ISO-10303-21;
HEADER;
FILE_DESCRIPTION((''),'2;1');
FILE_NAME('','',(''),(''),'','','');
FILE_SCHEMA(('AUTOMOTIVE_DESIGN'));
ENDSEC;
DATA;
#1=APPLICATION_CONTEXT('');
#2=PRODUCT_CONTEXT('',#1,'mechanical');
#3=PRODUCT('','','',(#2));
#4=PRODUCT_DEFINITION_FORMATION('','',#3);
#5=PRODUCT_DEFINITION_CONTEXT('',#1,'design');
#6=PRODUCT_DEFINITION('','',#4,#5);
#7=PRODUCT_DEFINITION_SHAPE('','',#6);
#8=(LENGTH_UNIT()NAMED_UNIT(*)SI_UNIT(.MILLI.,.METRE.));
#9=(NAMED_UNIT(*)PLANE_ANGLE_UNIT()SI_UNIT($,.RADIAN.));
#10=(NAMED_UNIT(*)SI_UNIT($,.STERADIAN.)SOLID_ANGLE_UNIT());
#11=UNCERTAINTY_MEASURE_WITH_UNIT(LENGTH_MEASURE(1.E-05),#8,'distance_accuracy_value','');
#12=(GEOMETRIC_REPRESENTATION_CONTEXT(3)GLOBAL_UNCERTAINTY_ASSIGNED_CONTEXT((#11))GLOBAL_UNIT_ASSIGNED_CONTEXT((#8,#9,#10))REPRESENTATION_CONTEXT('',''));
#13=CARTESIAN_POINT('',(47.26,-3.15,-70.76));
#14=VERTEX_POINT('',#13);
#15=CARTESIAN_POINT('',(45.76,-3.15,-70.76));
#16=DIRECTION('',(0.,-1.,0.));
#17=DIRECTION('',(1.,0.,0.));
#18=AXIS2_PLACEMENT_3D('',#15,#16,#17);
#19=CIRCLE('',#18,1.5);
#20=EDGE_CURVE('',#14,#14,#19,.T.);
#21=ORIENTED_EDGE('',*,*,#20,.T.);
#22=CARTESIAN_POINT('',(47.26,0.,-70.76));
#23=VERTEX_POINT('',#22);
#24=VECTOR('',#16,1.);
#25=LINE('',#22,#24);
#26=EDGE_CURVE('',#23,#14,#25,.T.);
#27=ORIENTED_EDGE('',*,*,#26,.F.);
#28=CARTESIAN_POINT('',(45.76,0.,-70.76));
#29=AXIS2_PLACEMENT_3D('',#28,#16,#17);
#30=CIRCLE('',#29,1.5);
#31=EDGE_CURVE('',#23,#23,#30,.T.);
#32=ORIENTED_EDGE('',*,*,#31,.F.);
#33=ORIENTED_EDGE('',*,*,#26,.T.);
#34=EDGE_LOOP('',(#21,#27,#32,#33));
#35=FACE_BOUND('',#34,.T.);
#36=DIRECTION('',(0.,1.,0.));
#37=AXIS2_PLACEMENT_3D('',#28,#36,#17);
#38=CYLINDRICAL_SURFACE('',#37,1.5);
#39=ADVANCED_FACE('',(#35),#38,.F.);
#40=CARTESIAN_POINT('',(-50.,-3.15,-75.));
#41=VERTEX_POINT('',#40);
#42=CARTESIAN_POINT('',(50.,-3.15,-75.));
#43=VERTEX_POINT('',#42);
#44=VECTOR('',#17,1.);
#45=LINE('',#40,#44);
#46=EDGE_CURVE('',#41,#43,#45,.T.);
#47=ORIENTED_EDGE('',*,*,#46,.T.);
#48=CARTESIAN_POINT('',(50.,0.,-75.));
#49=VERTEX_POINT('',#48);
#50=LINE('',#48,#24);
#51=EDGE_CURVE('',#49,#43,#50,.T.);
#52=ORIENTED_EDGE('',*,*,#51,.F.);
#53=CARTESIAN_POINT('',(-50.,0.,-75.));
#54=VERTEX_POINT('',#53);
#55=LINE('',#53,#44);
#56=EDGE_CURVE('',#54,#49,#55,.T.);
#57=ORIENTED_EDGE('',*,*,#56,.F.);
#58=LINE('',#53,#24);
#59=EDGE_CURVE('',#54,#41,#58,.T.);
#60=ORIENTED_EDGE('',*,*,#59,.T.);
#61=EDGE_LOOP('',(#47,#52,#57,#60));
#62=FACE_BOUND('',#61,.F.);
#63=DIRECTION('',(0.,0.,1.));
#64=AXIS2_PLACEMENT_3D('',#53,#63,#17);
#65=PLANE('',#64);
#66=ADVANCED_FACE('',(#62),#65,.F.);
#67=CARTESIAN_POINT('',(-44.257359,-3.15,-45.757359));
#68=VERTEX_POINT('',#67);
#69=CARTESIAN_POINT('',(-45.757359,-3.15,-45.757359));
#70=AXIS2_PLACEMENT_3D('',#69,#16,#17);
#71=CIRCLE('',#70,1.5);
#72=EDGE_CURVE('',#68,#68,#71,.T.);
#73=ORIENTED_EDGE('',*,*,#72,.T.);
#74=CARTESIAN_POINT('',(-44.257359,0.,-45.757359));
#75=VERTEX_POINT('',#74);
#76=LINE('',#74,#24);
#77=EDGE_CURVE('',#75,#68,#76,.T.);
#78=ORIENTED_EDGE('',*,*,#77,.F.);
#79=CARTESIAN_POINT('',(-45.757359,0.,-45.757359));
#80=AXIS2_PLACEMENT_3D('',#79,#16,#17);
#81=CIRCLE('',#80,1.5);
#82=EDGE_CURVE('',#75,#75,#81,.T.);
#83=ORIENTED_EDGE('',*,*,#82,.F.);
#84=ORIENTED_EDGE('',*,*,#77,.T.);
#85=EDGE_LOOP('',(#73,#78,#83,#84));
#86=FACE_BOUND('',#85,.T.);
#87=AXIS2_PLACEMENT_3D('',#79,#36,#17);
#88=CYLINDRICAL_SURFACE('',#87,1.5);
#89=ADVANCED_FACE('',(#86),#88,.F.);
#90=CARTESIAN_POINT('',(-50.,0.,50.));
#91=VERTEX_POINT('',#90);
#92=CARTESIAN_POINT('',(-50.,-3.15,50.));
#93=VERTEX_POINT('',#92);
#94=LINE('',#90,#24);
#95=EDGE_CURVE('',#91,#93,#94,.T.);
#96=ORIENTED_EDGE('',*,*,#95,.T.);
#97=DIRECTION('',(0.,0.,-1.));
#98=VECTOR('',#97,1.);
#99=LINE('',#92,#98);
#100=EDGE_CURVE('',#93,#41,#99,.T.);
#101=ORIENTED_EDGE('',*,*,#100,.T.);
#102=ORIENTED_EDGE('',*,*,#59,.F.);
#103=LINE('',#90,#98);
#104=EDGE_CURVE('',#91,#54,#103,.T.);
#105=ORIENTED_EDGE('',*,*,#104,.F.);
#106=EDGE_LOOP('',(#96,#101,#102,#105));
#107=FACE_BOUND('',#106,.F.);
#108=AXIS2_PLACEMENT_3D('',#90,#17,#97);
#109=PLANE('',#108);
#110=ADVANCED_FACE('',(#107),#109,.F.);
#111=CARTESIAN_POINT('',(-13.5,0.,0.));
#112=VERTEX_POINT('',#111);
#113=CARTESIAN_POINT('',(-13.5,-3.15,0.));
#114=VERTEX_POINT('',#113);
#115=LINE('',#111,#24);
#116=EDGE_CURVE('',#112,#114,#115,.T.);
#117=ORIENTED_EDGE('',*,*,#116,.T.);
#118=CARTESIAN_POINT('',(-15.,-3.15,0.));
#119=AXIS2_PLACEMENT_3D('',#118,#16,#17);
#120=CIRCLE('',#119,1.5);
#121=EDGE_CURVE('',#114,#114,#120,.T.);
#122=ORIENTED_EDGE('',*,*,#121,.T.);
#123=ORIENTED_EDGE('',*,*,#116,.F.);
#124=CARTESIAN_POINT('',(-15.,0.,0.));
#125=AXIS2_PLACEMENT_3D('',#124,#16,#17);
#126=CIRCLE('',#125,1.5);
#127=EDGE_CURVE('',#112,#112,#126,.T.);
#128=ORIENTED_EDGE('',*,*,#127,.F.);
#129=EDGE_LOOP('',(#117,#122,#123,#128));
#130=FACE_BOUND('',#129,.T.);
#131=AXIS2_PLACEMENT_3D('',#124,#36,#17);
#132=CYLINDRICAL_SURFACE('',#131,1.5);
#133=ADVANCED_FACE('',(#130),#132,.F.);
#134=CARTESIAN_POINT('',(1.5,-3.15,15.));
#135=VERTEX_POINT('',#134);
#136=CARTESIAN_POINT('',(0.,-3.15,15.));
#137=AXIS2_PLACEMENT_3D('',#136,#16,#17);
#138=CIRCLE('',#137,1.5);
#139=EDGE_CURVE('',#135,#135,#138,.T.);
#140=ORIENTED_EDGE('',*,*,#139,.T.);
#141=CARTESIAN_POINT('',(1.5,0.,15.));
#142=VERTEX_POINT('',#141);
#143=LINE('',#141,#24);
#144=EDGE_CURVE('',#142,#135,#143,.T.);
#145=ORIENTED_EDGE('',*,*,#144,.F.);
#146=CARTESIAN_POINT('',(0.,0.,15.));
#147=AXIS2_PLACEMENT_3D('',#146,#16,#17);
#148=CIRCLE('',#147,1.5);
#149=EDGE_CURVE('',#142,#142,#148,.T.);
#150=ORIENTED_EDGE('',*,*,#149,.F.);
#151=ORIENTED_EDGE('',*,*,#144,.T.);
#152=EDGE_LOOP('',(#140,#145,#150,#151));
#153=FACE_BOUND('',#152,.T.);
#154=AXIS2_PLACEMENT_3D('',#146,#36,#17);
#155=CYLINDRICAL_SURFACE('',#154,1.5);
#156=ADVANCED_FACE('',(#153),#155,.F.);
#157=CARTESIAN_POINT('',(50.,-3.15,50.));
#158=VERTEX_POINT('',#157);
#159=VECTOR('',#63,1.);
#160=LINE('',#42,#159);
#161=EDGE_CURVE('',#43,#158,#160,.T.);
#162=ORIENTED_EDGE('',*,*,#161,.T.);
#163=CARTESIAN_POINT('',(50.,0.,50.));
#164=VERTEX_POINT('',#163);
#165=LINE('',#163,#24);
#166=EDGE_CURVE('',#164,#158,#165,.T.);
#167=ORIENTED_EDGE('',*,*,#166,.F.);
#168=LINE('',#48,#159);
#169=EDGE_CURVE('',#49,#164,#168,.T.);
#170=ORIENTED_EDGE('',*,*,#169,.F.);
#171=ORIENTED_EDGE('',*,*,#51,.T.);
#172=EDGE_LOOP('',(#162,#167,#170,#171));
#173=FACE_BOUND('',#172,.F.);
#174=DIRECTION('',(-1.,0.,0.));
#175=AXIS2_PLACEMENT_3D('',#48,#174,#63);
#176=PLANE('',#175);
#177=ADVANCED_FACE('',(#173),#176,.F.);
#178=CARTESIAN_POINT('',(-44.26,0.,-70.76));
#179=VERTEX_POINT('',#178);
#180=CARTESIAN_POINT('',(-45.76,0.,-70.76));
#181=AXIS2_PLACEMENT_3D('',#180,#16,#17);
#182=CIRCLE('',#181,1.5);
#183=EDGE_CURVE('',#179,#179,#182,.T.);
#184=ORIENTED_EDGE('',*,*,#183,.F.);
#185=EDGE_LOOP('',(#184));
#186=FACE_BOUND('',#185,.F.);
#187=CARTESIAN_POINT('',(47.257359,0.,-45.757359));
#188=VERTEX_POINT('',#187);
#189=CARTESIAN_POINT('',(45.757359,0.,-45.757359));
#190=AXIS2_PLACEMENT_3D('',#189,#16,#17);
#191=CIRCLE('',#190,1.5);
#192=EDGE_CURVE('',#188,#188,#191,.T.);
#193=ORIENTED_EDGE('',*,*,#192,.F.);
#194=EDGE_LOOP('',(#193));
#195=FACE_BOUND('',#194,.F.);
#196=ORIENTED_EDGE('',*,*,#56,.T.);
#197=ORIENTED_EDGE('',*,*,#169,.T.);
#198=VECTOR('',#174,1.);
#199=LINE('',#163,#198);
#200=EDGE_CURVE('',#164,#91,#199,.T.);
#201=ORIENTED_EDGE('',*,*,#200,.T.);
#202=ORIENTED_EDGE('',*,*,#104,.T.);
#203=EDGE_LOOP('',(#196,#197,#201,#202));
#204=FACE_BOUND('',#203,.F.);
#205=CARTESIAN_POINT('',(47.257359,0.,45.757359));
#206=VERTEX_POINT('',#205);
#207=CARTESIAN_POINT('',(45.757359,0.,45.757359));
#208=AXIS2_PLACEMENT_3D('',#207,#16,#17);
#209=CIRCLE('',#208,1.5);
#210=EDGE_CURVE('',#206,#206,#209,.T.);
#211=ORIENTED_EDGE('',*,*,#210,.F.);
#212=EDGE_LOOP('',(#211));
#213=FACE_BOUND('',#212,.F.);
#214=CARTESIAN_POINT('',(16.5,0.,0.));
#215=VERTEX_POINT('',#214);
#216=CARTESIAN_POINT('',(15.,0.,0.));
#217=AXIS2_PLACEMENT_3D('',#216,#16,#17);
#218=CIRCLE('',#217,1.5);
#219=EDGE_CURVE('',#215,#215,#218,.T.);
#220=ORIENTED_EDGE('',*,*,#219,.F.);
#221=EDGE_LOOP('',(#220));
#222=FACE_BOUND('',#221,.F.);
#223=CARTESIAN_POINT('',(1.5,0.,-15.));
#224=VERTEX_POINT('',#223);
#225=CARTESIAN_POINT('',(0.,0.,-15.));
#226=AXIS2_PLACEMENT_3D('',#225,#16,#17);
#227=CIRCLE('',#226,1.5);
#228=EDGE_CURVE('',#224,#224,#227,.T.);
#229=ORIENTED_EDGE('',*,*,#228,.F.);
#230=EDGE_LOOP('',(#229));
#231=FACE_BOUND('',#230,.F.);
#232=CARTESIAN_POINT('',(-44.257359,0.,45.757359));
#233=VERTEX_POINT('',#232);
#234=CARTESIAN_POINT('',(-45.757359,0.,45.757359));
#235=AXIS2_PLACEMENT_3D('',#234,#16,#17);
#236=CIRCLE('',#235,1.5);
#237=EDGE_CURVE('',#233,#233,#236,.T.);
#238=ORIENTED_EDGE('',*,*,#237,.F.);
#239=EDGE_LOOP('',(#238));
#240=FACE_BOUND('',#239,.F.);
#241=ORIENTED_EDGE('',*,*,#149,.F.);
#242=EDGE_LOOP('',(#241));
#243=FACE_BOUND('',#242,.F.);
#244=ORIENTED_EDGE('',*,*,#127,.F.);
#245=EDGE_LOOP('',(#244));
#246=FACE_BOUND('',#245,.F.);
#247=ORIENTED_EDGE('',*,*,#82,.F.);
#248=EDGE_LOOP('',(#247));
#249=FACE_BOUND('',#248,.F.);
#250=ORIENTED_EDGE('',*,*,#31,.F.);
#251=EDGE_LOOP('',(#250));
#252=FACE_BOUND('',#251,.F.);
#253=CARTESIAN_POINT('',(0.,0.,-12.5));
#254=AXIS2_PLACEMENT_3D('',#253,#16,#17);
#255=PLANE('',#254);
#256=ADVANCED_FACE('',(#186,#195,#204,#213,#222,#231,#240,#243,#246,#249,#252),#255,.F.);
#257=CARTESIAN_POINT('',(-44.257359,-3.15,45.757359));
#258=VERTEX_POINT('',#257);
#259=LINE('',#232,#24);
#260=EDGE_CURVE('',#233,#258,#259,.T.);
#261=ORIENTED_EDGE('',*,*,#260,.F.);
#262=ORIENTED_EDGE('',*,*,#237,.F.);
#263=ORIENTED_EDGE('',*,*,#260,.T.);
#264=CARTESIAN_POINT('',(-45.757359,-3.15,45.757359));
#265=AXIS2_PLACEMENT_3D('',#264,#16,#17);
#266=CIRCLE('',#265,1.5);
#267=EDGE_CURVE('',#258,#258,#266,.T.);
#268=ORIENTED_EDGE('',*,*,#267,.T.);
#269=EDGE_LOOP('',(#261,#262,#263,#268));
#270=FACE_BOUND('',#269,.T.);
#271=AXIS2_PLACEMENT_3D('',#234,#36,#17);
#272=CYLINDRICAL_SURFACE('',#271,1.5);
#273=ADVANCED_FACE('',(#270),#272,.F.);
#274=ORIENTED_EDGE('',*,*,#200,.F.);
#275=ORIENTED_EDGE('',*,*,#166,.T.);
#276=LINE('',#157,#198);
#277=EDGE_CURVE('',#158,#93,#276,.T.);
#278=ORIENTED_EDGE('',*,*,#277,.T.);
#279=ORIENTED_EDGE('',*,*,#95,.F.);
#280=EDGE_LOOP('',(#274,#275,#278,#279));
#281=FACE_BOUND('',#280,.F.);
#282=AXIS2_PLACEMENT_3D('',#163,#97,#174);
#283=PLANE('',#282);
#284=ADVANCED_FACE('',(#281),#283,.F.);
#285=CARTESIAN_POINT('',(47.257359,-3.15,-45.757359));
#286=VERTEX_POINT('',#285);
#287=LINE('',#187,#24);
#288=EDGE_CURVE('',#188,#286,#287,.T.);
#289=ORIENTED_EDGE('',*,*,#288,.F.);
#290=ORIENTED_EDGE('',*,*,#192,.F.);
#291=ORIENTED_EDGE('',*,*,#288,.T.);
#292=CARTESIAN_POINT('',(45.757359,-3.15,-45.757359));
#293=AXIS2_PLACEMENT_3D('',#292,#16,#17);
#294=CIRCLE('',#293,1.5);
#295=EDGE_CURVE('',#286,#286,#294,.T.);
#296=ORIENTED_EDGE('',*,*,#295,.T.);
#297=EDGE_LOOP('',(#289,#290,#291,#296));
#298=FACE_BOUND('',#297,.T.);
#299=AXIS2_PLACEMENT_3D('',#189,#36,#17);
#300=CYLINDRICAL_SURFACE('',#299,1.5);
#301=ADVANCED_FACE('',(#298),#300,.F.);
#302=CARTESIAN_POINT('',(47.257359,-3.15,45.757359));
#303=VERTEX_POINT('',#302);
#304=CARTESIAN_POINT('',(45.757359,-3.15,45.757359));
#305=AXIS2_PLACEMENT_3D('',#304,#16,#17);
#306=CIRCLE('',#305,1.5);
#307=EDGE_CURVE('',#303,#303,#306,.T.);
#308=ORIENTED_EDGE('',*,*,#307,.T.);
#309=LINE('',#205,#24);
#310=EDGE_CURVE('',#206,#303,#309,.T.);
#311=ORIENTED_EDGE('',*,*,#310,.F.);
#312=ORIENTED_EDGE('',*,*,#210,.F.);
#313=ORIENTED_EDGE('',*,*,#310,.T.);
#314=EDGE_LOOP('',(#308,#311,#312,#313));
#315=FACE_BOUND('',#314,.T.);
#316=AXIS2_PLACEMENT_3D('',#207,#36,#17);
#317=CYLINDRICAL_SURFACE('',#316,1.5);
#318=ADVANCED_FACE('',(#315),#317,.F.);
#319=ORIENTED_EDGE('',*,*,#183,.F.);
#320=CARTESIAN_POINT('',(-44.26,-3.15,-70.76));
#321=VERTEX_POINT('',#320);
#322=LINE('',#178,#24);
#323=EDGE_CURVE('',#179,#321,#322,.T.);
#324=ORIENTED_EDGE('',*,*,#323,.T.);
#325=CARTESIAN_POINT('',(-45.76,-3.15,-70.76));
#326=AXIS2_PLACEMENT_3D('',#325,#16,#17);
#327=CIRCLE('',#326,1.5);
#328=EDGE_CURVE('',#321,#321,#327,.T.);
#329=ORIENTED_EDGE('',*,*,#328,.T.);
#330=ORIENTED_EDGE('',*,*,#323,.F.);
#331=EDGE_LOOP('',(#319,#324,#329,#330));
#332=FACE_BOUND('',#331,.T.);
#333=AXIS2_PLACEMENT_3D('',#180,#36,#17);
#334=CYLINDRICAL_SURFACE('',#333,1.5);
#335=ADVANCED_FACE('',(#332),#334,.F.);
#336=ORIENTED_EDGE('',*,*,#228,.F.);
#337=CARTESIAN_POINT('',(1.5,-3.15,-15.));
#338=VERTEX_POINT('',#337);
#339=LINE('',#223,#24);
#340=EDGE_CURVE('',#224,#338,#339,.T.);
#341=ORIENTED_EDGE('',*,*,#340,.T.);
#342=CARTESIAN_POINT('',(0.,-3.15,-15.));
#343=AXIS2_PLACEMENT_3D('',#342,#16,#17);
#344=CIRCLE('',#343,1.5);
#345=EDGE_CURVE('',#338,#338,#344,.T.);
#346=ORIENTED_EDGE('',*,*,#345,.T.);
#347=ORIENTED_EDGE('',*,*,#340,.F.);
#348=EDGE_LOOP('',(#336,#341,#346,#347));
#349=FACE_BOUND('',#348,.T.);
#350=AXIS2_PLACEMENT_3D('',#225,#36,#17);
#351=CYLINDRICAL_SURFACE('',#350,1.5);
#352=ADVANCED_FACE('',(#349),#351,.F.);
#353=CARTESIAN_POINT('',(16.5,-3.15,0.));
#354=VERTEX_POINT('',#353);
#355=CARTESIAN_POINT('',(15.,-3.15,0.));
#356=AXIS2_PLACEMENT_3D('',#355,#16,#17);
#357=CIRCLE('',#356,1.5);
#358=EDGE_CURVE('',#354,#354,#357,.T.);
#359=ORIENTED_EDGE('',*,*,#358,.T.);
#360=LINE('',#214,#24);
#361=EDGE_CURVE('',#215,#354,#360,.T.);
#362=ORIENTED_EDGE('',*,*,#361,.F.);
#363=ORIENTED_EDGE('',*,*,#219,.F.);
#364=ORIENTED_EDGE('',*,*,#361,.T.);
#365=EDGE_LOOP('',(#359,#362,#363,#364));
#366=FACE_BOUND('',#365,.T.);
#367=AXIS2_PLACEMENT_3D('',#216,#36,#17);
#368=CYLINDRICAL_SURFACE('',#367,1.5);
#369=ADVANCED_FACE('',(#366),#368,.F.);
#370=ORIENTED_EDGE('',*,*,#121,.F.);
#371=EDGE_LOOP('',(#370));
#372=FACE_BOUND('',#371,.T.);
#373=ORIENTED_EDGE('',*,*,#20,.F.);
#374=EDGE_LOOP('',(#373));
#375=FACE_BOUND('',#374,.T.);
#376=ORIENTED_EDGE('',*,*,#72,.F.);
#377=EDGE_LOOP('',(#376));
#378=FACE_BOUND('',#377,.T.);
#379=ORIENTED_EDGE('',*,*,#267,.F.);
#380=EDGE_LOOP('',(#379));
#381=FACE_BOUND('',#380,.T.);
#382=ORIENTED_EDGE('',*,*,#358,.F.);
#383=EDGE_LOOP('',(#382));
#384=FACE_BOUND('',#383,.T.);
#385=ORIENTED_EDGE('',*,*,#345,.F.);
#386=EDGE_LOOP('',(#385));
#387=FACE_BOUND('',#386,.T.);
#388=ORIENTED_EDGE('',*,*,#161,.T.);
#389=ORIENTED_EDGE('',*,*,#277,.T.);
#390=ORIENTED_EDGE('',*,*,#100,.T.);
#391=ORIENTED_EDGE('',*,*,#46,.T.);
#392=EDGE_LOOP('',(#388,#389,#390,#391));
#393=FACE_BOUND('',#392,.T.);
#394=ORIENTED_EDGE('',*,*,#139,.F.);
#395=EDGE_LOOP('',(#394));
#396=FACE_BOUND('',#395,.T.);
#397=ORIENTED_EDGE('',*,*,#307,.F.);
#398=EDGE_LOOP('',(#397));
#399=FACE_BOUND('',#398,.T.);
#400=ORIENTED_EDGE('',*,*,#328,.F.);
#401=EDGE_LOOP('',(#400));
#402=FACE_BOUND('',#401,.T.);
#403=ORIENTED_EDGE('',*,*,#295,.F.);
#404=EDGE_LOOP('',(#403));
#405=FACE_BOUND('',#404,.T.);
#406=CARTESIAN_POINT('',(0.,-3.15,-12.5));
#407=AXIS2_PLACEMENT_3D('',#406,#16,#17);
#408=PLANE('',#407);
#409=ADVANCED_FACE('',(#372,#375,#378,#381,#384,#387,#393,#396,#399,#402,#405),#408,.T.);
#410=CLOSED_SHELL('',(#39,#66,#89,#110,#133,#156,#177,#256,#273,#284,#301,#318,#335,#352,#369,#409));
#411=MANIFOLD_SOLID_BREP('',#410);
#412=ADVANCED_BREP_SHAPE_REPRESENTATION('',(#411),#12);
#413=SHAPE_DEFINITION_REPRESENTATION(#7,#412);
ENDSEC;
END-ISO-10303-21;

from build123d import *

# Parameters (mm, degrees)
F0_R     = 1.5
F1_DEPTH = 3.15


with BuildPart() as f1:
    # F0 (on Front) → F1 (new body)
    with BuildSketch(Plane.XZ):
        Polygon((50, -50), (50, 50), (-50, 50), (-50, -50), (-50, -75), (50, -75), align=None)
        with Locations((-45.76, -70.76)):
            Circle(F0_R, mode=Mode.SUBTRACT)
        with Locations((-45.757359, -45.757359)):
            Circle(F0_R, mode=Mode.SUBTRACT)
        with Locations((45.76, -70.76)):
            Circle(F0_R, mode=Mode.SUBTRACT)
        with Locations((45.757359, -45.757359)):
            Circle(F0_R, mode=Mode.SUBTRACT)
        with Locations((0, -15)):
            Circle(F0_R, mode=Mode.SUBTRACT)
        with Locations((-15, 0)):
            Circle(F0_R, mode=Mode.SUBTRACT)
        with Locations((-45.757359, 45.757359)):
            Circle(F0_R, mode=Mode.SUBTRACT)
        with Locations((15, 0)):
            Circle(F0_R, mode=Mode.SUBTRACT)
        with Locations((0, 15)):
            Circle(F0_R, mode=Mode.SUBTRACT)
        with Locations((45.757359, 45.757359)):
            Circle(F0_R, mode=Mode.SUBTRACT)
    extrude(amount=F1_DEPTH)


solid = f1.part
